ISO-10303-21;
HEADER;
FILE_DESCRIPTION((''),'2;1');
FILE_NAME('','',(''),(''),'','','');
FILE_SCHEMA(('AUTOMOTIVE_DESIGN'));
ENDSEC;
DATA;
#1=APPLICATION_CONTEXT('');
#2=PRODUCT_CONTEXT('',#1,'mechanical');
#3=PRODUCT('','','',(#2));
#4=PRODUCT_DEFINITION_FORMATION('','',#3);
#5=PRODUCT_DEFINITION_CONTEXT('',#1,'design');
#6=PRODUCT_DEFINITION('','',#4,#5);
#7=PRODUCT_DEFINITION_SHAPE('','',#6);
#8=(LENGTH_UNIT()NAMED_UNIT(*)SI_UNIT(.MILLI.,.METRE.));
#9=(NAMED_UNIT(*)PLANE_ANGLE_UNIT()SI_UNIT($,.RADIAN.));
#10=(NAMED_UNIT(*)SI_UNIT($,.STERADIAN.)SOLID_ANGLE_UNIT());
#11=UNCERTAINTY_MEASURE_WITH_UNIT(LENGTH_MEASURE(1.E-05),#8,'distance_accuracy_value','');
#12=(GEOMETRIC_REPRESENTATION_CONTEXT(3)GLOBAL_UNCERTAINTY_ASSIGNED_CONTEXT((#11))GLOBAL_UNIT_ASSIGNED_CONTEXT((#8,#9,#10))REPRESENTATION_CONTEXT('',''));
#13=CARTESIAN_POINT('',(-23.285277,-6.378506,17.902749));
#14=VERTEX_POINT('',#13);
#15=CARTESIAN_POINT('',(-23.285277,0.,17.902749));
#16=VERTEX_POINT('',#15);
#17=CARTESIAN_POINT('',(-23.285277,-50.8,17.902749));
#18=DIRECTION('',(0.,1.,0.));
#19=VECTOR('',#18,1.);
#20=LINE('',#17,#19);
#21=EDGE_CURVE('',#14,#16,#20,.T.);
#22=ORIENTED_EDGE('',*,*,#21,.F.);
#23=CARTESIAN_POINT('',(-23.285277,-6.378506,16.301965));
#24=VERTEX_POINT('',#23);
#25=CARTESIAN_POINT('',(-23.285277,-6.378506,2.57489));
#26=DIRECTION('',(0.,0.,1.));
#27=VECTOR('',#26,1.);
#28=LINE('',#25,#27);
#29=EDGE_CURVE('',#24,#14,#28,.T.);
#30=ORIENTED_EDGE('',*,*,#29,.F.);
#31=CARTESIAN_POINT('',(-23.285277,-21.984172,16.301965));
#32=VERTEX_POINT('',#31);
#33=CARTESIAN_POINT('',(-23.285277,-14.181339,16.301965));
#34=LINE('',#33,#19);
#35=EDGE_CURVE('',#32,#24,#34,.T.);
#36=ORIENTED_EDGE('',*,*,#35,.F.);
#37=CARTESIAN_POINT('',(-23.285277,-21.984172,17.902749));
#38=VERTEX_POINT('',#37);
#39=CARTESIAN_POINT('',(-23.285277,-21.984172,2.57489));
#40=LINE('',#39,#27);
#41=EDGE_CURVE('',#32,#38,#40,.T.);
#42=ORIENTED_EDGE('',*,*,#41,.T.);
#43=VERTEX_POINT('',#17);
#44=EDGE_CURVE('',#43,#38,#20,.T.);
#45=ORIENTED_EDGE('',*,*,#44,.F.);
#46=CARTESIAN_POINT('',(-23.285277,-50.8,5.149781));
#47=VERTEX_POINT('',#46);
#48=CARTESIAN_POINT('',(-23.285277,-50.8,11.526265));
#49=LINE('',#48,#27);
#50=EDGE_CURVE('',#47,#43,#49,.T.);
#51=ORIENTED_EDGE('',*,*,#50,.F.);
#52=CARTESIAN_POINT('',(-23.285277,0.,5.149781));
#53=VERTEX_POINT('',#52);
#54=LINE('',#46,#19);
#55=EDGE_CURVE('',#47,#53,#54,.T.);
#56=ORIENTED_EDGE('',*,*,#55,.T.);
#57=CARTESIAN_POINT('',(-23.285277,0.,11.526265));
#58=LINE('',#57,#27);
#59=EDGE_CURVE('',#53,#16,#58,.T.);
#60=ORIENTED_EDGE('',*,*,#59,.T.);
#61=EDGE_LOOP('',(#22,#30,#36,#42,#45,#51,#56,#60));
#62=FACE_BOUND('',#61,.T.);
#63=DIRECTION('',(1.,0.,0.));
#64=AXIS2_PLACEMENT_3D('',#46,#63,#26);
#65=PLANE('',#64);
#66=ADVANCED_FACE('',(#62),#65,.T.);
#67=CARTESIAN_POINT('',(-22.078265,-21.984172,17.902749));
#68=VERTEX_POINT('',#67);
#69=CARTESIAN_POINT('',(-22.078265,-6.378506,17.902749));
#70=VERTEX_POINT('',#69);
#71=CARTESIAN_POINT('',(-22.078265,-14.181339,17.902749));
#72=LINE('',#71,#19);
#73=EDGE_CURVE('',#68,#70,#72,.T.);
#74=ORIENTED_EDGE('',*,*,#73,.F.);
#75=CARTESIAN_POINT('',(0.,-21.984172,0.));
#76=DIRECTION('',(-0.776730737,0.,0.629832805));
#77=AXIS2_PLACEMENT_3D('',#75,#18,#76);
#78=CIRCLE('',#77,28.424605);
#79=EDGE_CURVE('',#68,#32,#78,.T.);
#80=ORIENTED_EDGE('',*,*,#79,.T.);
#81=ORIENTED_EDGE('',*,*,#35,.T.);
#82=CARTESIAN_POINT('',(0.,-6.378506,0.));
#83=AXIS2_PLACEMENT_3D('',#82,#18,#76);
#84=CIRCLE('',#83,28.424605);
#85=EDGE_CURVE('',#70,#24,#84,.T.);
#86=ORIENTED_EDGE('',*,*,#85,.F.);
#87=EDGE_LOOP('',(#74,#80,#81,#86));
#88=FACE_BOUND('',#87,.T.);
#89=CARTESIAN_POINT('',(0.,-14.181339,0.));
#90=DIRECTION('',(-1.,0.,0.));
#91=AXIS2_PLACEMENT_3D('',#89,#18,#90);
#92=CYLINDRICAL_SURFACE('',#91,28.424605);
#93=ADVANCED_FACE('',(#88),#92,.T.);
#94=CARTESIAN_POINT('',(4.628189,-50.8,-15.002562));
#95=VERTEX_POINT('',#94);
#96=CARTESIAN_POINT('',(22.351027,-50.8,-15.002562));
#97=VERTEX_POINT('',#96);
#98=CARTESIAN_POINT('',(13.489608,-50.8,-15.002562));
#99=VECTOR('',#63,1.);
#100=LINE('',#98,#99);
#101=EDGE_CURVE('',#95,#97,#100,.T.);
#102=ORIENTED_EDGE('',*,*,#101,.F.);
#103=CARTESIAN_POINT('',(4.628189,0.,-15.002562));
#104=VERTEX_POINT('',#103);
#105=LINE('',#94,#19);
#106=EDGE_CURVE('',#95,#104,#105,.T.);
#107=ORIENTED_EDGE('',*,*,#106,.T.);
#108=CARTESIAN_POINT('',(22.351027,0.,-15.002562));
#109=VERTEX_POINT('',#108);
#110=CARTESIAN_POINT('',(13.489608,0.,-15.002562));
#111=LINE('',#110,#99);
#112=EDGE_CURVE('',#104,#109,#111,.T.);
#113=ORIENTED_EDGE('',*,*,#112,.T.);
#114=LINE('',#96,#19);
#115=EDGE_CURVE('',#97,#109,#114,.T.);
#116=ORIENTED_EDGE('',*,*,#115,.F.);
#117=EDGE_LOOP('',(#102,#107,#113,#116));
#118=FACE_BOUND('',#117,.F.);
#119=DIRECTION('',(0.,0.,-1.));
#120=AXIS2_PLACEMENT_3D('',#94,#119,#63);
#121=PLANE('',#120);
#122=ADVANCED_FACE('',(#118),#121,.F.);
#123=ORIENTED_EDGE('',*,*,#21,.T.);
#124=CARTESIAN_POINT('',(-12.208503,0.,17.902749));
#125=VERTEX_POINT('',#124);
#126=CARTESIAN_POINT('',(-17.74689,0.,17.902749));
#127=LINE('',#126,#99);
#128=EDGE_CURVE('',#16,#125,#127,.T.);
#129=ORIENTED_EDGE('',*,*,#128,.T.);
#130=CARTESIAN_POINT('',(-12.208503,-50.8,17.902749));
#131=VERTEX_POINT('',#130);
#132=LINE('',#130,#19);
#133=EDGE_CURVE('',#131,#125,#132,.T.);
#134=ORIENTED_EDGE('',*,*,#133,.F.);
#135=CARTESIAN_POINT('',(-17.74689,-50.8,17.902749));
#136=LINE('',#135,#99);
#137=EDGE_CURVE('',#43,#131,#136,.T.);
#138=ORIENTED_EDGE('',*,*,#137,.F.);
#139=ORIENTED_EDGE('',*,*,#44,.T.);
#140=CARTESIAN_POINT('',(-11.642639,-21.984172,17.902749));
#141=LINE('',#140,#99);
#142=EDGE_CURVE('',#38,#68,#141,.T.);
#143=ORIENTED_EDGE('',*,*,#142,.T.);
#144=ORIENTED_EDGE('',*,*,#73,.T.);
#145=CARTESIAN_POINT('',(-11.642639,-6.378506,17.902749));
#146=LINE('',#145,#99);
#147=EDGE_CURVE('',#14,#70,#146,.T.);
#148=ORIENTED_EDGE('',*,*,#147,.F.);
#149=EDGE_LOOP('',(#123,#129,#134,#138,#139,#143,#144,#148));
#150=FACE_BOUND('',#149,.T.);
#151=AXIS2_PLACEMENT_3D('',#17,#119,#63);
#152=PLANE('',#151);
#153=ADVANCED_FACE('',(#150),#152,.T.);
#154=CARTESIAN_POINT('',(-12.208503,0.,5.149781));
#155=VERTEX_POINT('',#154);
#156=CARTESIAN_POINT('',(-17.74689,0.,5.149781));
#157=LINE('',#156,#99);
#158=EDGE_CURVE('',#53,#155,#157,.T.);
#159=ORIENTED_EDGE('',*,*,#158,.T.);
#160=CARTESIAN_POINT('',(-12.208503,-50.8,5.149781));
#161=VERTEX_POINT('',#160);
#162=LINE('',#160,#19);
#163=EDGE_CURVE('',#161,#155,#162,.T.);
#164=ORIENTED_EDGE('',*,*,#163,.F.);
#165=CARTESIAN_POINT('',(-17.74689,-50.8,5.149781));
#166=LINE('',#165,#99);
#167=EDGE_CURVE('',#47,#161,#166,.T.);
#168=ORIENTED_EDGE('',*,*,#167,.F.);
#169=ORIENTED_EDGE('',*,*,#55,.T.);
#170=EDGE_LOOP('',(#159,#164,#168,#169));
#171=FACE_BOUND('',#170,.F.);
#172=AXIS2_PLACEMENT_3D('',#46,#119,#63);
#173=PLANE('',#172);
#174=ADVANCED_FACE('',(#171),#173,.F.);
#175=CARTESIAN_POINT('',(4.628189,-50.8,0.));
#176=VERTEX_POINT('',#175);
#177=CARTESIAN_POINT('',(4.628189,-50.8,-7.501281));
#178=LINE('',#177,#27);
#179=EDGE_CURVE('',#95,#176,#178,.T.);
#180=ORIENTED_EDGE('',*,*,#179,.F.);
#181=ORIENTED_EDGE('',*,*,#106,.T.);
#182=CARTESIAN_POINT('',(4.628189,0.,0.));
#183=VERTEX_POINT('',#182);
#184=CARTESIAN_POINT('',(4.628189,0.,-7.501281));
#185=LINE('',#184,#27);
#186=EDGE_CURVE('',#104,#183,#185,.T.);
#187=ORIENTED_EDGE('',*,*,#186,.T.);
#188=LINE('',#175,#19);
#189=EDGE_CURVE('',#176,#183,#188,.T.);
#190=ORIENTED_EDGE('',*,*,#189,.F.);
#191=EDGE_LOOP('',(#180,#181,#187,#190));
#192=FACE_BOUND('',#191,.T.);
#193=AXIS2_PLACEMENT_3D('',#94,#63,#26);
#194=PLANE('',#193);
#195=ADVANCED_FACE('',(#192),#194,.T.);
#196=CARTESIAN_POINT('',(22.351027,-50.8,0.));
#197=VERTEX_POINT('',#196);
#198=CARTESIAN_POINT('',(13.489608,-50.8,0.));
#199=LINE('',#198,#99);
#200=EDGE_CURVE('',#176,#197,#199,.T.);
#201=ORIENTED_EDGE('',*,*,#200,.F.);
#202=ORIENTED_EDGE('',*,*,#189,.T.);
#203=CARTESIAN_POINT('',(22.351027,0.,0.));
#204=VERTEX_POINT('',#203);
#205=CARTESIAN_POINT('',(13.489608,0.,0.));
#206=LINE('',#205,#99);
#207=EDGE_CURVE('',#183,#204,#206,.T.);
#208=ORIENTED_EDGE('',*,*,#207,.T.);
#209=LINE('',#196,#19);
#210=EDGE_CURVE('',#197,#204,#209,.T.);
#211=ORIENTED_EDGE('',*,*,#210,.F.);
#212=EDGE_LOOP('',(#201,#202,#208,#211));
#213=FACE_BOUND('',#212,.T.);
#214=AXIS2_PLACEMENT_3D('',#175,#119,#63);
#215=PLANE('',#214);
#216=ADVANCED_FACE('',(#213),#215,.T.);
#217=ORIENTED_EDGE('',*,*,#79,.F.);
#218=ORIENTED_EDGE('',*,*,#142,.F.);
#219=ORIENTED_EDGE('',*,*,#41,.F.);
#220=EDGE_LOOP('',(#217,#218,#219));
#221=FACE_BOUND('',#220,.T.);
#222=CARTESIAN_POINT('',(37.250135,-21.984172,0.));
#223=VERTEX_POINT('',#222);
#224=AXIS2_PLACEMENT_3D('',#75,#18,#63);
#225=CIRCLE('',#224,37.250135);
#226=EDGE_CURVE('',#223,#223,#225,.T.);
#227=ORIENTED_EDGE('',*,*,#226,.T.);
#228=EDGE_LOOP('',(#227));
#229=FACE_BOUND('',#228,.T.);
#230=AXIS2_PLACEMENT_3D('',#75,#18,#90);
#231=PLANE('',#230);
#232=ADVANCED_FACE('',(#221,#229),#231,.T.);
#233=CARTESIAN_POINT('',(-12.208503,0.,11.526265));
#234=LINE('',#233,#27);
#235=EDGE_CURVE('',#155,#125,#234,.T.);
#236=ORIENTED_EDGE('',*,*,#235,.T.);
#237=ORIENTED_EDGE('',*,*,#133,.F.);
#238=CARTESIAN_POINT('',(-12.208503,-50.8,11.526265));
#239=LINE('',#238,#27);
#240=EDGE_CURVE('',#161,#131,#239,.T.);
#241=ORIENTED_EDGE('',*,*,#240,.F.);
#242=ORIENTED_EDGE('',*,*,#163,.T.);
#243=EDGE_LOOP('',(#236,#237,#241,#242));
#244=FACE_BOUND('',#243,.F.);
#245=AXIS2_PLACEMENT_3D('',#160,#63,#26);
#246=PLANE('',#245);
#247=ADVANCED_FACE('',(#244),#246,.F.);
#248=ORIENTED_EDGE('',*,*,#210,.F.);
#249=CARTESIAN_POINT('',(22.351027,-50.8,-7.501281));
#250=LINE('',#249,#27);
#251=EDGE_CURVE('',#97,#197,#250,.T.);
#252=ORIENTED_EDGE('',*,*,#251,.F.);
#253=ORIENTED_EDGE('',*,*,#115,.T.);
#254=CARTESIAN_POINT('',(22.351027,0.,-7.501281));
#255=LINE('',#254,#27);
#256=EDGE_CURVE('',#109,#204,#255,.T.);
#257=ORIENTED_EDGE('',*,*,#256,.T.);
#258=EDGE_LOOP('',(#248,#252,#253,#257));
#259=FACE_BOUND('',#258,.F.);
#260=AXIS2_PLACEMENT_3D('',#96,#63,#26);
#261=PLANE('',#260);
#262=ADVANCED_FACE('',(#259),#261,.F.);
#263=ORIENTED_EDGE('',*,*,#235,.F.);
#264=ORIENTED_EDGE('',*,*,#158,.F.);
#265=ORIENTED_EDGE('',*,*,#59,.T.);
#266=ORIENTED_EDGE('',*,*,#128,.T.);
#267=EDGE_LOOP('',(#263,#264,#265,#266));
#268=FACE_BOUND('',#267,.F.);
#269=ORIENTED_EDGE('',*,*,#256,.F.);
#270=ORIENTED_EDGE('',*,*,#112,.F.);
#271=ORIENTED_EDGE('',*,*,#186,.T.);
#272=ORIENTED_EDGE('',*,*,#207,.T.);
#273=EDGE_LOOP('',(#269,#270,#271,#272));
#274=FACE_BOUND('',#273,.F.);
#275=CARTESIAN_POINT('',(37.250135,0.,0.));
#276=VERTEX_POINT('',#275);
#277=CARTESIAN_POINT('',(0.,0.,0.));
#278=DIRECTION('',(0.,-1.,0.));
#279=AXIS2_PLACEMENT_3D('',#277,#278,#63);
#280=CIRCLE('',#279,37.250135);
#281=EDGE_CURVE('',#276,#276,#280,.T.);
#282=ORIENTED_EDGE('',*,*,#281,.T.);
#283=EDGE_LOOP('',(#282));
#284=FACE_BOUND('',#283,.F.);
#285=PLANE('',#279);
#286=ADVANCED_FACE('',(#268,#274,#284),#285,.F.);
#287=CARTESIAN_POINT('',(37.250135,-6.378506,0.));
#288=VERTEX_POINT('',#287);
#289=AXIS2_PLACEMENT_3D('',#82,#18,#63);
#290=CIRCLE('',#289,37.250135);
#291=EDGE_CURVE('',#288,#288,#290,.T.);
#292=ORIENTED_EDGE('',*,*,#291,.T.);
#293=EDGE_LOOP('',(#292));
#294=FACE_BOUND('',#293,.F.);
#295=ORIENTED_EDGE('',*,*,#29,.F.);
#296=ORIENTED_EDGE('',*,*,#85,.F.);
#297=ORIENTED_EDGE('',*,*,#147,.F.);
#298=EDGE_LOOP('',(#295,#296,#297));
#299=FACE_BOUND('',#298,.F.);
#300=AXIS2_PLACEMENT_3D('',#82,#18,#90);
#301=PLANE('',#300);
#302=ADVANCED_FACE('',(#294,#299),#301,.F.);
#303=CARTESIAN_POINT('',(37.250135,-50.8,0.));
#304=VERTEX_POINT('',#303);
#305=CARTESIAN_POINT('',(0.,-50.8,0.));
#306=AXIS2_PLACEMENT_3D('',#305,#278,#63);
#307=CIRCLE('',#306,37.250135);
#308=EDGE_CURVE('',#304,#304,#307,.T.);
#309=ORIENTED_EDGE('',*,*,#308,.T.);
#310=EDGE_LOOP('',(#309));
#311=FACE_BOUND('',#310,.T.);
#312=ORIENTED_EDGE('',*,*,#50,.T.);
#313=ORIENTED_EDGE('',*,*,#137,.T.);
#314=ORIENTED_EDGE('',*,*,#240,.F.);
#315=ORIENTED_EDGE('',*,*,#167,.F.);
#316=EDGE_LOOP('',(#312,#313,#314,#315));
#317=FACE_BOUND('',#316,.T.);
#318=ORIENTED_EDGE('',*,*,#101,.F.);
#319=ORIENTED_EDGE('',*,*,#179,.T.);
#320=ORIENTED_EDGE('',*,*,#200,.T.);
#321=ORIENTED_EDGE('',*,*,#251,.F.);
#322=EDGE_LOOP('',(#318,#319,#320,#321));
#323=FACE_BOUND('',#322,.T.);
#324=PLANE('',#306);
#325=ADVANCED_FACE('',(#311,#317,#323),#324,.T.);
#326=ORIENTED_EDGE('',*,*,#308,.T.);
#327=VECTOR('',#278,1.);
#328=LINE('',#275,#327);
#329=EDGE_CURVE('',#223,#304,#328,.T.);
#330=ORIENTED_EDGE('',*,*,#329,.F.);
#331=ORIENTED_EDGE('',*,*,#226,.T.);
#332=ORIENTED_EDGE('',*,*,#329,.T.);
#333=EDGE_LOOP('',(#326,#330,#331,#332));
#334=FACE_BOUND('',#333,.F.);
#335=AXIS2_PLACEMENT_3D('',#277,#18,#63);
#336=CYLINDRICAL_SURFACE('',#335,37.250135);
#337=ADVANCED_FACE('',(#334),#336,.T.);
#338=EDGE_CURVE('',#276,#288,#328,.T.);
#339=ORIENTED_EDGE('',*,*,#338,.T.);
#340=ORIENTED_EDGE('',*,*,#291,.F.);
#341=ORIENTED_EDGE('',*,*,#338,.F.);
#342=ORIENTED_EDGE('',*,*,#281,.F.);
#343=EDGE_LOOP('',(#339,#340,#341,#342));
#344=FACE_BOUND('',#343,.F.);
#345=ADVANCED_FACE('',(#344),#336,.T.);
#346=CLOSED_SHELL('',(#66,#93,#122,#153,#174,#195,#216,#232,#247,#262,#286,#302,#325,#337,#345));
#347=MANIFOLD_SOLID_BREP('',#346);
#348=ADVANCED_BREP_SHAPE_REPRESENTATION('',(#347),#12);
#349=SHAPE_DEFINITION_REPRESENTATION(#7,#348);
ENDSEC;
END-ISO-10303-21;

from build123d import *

# Parameters (mm, degrees)
F0_R     = 37.250135
F1_DEPTH = 50.8
F2_W     = 11.076774
F2_H     = 12.752968
F2_W_2   = 17.722838
F2_H_2   = 15.002562
F3_DEPTH = 50.8
F4_W     = 13.871703
F4_H     = 15.605667


with BuildPart() as f1:
    # F0 (on Front) → F1 (new body)
    with BuildSketch(Plane.XZ):
        Circle(F0_R)
    extrude(amount=F1_DEPTH)

    # F2 (on face) → F3 (cut)
    with BuildSketch(Plane.XZ.offset(50.8)):
        with Locations((-17.74689, 11.526265)):
            Rectangle(F2_W, F2_H)
        with Locations((13.489608, -7.501281)):
            Rectangle(F2_W_2, F2_H_2)
    extrude(amount=-F3_DEPTH, mode=Mode.SUBTRACT)

    # F4 (on Top) → F6 (revolve, cut)
    with BuildSketch(Plane.XY):
        with Locations((-35.360457, -14.181339)):
            Rectangle(F4_W, F4_H)
    revolve(axis=Axis((0, 18.854436, 0), (0, 1, 0)), mode=Mode.SUBTRACT)


solid = f1.part
